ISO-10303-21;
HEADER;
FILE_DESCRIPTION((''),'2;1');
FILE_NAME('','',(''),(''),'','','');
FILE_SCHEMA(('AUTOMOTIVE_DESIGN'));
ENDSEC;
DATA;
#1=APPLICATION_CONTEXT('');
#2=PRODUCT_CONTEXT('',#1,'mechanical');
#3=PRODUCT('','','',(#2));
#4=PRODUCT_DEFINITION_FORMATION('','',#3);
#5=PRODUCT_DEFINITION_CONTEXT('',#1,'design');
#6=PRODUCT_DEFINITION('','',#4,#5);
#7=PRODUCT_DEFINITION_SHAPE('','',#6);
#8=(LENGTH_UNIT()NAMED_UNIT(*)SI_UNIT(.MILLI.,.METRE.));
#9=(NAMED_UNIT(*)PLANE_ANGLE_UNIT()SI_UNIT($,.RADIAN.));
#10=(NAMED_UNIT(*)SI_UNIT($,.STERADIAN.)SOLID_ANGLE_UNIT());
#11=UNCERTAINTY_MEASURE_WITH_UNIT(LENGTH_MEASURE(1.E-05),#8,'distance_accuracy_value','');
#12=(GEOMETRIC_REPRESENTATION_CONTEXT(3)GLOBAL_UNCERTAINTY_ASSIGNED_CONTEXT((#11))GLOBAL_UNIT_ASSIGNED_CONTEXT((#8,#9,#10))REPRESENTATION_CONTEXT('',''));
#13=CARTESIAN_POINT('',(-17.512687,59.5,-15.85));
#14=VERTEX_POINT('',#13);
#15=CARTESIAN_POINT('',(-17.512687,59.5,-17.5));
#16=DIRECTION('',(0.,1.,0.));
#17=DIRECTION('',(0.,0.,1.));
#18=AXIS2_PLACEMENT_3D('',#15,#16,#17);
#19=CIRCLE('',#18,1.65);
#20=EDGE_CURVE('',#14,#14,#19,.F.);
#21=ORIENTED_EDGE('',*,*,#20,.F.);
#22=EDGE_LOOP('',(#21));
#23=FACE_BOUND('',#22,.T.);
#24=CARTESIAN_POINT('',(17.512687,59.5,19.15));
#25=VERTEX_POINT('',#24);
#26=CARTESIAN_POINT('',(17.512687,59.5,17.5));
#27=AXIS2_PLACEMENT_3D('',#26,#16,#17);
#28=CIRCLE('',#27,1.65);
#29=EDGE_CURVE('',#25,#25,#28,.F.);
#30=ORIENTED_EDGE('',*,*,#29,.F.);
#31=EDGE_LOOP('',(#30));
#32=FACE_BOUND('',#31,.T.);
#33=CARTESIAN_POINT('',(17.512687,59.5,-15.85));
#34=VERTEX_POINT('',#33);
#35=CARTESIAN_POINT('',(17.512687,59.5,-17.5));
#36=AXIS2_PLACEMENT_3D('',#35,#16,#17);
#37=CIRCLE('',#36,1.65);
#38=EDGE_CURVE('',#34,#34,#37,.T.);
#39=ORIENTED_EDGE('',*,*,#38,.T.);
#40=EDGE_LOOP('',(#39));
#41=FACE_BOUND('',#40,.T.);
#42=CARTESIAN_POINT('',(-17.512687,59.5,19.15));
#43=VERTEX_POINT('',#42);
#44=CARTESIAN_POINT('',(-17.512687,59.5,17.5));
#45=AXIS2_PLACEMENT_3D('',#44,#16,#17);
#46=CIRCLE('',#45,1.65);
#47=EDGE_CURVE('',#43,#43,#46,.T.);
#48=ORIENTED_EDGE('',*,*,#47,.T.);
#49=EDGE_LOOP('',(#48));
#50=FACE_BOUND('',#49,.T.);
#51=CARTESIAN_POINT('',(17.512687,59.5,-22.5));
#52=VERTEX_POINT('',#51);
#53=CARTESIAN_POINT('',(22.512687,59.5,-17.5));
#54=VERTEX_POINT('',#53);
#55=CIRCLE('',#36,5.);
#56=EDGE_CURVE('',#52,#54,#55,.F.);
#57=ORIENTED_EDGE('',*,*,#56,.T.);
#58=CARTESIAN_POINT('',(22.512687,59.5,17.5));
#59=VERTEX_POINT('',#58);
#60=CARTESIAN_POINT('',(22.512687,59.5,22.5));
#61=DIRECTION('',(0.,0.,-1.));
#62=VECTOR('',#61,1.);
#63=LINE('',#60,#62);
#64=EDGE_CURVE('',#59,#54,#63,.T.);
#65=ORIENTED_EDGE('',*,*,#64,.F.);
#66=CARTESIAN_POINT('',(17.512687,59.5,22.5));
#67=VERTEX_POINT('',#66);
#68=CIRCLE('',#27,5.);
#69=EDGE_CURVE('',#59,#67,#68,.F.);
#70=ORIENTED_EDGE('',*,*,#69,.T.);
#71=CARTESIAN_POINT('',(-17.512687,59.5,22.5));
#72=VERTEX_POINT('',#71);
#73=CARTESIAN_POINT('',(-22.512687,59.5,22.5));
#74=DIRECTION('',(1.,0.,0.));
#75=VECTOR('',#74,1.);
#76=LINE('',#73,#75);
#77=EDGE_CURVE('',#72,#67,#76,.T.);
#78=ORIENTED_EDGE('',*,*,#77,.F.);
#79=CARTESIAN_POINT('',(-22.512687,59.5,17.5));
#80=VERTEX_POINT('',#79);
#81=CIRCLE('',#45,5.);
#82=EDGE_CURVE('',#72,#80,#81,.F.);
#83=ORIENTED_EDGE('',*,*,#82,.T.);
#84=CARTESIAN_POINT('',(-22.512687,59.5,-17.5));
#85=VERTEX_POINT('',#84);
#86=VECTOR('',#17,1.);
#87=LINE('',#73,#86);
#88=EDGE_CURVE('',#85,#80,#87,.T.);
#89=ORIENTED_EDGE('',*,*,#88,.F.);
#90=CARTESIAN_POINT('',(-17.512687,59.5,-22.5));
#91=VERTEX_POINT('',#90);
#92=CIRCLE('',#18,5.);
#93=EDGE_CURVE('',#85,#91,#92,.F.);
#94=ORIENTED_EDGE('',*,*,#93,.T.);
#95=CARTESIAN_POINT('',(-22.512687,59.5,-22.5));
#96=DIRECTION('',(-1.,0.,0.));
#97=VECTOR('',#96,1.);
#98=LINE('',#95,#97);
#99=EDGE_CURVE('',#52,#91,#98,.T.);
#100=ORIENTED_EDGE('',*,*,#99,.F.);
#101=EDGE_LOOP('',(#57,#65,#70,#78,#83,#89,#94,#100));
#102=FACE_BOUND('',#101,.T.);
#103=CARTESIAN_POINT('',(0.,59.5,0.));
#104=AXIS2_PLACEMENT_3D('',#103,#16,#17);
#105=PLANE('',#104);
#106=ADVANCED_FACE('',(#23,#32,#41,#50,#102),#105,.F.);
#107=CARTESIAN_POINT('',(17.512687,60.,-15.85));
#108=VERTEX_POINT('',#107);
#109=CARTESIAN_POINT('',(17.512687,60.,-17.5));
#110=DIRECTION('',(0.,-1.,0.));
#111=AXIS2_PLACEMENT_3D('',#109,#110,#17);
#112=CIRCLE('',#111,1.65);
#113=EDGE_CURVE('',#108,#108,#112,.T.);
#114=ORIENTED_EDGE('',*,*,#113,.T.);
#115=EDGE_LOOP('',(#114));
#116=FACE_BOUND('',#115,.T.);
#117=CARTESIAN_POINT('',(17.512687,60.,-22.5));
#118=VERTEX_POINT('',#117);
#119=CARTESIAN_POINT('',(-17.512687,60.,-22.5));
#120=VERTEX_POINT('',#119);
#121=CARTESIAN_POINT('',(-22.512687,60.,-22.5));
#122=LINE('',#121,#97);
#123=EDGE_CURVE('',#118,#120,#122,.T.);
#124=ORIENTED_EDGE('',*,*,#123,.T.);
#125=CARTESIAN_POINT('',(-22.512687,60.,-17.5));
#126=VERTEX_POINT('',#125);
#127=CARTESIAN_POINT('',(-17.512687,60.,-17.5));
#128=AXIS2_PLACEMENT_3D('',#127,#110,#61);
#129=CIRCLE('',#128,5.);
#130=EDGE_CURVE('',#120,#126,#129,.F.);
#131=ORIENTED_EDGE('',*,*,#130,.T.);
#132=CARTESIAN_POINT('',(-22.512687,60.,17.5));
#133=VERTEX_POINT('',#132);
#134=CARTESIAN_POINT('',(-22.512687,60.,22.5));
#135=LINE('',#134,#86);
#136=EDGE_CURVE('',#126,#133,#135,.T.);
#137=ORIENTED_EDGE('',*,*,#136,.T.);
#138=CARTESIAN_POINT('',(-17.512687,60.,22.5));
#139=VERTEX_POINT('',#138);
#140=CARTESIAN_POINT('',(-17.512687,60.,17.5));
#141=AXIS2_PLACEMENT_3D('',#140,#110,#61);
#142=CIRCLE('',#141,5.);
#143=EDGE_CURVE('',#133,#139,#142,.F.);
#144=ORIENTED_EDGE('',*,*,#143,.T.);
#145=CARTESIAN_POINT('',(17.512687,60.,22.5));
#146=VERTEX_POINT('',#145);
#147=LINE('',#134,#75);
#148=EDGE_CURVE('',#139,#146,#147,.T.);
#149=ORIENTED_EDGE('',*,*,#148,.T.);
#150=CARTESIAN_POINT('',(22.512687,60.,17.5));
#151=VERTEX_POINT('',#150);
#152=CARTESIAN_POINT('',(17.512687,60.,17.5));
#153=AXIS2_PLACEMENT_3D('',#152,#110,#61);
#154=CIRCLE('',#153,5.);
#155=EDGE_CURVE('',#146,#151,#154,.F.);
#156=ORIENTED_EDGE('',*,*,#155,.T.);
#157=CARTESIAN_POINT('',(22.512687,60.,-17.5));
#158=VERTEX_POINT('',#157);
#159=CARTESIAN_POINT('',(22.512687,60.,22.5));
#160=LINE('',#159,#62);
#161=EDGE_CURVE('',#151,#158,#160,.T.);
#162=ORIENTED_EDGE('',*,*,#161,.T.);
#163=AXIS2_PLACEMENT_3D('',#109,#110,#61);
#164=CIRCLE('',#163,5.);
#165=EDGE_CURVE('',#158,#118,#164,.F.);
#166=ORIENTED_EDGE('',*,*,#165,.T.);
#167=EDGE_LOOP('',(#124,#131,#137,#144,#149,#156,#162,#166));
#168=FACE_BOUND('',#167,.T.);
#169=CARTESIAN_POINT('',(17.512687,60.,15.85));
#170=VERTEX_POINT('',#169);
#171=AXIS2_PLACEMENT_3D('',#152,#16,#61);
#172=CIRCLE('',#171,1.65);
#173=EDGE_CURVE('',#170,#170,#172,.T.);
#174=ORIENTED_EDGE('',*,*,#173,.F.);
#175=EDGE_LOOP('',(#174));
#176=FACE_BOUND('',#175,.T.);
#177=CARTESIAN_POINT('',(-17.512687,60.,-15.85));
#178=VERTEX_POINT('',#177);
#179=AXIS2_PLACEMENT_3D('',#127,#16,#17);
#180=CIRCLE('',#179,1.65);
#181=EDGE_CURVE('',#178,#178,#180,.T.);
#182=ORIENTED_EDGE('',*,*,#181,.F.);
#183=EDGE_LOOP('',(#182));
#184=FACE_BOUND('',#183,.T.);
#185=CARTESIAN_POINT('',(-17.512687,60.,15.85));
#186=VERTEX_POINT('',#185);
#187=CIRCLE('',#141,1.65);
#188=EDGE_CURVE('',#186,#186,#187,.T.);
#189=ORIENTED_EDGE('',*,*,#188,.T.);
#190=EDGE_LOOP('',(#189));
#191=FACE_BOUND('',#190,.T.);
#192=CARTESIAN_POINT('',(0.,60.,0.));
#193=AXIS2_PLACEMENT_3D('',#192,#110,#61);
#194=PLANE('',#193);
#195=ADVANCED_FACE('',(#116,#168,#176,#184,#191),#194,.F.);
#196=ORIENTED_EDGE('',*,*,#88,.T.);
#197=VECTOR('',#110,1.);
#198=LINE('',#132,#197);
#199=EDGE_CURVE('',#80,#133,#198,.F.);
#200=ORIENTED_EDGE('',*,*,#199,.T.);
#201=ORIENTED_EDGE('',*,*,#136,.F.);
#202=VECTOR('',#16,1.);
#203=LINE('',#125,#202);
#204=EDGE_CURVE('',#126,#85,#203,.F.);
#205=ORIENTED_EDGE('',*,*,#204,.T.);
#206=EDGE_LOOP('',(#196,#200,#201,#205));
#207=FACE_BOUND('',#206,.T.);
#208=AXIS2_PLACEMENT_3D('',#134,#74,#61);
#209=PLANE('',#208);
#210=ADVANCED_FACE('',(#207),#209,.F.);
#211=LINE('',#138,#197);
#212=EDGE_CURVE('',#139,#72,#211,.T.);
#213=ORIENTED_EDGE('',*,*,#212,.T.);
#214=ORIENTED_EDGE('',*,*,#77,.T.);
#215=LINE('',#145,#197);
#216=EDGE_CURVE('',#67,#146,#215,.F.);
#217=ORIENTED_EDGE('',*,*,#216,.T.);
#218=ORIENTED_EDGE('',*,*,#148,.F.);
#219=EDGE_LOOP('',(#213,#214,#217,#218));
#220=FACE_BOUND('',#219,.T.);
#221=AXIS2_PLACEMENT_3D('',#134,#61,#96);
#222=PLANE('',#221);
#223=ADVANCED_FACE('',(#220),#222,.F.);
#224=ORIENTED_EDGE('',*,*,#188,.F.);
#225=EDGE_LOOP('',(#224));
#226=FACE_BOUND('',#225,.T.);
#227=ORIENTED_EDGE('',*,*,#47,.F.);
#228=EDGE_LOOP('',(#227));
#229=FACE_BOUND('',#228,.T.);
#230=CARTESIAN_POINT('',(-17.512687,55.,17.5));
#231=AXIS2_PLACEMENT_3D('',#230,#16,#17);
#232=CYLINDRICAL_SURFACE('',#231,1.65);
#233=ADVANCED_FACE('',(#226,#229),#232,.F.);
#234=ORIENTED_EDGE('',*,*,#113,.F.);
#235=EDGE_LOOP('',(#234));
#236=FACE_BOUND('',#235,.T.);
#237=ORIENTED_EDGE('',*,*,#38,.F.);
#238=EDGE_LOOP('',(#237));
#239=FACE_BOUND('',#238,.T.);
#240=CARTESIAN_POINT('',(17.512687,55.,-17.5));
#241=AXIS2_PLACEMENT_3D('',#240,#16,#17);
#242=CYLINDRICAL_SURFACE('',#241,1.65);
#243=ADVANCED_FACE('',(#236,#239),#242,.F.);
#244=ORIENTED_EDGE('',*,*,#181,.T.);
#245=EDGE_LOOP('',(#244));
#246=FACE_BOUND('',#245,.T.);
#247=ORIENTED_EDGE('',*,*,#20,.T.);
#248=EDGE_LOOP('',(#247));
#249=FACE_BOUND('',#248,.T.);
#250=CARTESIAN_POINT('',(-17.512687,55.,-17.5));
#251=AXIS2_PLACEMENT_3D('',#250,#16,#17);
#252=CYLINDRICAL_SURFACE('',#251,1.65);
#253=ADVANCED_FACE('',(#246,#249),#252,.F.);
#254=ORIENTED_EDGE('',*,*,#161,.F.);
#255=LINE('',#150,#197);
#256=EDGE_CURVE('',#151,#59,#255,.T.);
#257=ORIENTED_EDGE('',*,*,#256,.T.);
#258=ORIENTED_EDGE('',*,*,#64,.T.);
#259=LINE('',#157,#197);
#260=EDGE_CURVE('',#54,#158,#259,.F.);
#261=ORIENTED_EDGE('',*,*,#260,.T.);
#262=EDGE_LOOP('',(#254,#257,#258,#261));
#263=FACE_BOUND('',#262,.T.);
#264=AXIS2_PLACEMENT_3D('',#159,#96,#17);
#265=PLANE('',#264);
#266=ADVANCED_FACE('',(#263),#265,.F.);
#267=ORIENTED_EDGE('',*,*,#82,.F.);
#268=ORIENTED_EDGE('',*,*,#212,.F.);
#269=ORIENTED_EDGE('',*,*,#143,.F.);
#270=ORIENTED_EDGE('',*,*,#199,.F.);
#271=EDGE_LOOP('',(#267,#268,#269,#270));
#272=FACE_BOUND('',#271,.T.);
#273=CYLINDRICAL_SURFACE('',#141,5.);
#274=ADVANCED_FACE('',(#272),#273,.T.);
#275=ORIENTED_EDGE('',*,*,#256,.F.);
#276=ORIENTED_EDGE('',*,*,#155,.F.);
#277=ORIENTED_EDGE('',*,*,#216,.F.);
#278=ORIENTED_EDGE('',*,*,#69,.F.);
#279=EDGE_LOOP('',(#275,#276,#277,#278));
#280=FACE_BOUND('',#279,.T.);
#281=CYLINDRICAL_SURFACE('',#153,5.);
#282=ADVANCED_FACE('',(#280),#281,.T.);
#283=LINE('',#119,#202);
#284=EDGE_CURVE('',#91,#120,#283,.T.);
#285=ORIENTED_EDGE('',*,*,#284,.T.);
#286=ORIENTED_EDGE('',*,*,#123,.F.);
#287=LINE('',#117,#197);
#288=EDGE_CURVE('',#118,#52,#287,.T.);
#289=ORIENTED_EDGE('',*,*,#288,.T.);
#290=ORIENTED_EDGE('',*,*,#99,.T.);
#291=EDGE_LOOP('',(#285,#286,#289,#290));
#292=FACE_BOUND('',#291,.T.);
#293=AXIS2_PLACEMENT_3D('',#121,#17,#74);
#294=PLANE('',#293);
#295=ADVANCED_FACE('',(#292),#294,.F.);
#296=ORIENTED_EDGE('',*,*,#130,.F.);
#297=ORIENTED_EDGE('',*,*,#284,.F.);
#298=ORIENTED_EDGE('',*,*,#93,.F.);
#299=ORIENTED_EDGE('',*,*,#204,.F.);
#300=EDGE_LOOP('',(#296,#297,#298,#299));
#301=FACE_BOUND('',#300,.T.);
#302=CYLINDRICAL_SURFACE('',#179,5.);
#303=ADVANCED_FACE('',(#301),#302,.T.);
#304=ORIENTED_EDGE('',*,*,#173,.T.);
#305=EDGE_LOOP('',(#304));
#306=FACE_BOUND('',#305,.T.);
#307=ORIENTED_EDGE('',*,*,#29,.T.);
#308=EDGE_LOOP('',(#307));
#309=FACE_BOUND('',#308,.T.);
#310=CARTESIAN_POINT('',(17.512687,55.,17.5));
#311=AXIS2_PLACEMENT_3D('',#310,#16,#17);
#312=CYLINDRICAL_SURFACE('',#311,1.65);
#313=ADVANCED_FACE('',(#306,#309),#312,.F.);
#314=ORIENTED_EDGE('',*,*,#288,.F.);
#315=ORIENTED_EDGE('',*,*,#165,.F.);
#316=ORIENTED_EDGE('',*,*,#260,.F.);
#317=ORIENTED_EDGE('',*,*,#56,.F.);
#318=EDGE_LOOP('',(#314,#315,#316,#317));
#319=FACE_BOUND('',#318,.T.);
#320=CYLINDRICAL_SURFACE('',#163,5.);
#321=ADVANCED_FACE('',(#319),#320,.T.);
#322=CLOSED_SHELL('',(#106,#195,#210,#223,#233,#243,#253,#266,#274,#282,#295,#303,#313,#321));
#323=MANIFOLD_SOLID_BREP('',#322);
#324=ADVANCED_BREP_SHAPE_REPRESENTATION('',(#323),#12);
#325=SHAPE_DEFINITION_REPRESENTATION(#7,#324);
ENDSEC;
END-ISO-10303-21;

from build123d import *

# Parameters (mm, degrees)
SKETCH1_W                                  = 45.025374044
SKETCH1_H                                  = 45
BOSS_EXTRUDE1_DEPTH                        = 60
FILLET3_R                                  = 5
FILLET4_R                                  = 5
FILLET7_R                                  = 5
FILLET8_R                                  = 5
SKETCH9_R                                  = 1.65
CUT_EXTRUDE6_DEPTH                         = 5
MIRROR2_AT_THE_SECOND_PLANE_COPY_1_SKETC_R = 1.65
MIRROR2_AT_THE_SECOND_PLANE_COPY_1_DEPTH   = 5
SKETCH10_W                                 = 54.362738508
SKETCH10_H                                 = 47.512908914
CUT_EXTRUDE7_DEPTH                         = 59.5


with BuildPart() as part:
    # Sketch1 → Boss-Extrude1 (new body)
    with BuildSketch(Plane(origin=(0, 0, 0), x_dir=(1, 0, 0), z_dir=(0, 1, 0))):
        Rectangle(SKETCH1_W, SKETCH1_H)
    extrude(amount=BOSS_EXTRUDE1_DEPTH)

    # Fillet3
    fillet3_edges = [part.edges().sort_by_distance(p)[0] for p in [
        (22.512687022, 30, -22.5),
    ]]
    fillet(fillet3_edges, radius=FILLET3_R)

    # Fillet4
    fillet4_edges = [part.edges().sort_by_distance(p)[0] for p in [
        (-22.512687022, 30, -22.5),
    ]]
    fillet(fillet4_edges, radius=FILLET4_R)

    # Fillet7
    fillet7_edges = [part.edges().sort_by_distance(p)[0] for p in [
        (22.512687022, 30, 22.5),
    ]]
    fillet(fillet7_edges, radius=FILLET7_R)

    # Fillet8
    fillet8_edges = [part.edges().sort_by_distance(p)[0] for p in [
        (-22.512687022, 30, 22.5),
    ]]
    fillet(fillet8_edges, radius=FILLET8_R)

    # Sketch9 → Cut-Extrude6 (cut)
    with BuildSketch(Plane(origin=(0, 60, 0), x_dir=(1, 0, 0), z_dir=(0, 1, 0))):
        with Locations(Location((-17.512687022, 17.5, 0), (0, 0, 270))):
            Circle(SKETCH9_R)
    cut_extrude6 = extrude(amount=-CUT_EXTRUDE6_DEPTH, mode=Mode.SUBTRACT)

    # Mirror2: Cut-Extrude6 across plane
    add(cut_extrude6.mirror(Plane(origin=(0, 0, 0), x_dir=(0, 0, 1), z_dir=(1, 0, 0))), mode=Mode.SUBTRACT)

    # Mirror2 at the second plane: Cut-Extrude6 across plane
    add(cut_extrude6.mirror(Plane.XY), mode=Mode.SUBTRACT)

    # Mirror2 at the second plane copy 1 sketc → Mirror2 at the second plane copy 1 (cut)
    with BuildSketch(Plane(origin=(0, 60, 0), x_dir=(-1, 0, 0), z_dir=(0, 1, 0))):
        with Locations(Location((-17.512687022, 17.5, 0), (0, 0, 270))):
            Circle(MIRROR2_AT_THE_SECOND_PLANE_COPY_1_SKETC_R)
    extrude(amount=-MIRROR2_AT_THE_SECOND_PLANE_COPY_1_DEPTH, mode=Mode.SUBTRACT)

    # Sketch10 → Cut-Extrude7 (cut)
    with BuildSketch(Plane.XZ):
        Rectangle(SKETCH10_W, SKETCH10_H)
    extrude(amount=-CUT_EXTRUDE7_DEPTH, mode=Mode.SUBTRACT)


solid = part.part
